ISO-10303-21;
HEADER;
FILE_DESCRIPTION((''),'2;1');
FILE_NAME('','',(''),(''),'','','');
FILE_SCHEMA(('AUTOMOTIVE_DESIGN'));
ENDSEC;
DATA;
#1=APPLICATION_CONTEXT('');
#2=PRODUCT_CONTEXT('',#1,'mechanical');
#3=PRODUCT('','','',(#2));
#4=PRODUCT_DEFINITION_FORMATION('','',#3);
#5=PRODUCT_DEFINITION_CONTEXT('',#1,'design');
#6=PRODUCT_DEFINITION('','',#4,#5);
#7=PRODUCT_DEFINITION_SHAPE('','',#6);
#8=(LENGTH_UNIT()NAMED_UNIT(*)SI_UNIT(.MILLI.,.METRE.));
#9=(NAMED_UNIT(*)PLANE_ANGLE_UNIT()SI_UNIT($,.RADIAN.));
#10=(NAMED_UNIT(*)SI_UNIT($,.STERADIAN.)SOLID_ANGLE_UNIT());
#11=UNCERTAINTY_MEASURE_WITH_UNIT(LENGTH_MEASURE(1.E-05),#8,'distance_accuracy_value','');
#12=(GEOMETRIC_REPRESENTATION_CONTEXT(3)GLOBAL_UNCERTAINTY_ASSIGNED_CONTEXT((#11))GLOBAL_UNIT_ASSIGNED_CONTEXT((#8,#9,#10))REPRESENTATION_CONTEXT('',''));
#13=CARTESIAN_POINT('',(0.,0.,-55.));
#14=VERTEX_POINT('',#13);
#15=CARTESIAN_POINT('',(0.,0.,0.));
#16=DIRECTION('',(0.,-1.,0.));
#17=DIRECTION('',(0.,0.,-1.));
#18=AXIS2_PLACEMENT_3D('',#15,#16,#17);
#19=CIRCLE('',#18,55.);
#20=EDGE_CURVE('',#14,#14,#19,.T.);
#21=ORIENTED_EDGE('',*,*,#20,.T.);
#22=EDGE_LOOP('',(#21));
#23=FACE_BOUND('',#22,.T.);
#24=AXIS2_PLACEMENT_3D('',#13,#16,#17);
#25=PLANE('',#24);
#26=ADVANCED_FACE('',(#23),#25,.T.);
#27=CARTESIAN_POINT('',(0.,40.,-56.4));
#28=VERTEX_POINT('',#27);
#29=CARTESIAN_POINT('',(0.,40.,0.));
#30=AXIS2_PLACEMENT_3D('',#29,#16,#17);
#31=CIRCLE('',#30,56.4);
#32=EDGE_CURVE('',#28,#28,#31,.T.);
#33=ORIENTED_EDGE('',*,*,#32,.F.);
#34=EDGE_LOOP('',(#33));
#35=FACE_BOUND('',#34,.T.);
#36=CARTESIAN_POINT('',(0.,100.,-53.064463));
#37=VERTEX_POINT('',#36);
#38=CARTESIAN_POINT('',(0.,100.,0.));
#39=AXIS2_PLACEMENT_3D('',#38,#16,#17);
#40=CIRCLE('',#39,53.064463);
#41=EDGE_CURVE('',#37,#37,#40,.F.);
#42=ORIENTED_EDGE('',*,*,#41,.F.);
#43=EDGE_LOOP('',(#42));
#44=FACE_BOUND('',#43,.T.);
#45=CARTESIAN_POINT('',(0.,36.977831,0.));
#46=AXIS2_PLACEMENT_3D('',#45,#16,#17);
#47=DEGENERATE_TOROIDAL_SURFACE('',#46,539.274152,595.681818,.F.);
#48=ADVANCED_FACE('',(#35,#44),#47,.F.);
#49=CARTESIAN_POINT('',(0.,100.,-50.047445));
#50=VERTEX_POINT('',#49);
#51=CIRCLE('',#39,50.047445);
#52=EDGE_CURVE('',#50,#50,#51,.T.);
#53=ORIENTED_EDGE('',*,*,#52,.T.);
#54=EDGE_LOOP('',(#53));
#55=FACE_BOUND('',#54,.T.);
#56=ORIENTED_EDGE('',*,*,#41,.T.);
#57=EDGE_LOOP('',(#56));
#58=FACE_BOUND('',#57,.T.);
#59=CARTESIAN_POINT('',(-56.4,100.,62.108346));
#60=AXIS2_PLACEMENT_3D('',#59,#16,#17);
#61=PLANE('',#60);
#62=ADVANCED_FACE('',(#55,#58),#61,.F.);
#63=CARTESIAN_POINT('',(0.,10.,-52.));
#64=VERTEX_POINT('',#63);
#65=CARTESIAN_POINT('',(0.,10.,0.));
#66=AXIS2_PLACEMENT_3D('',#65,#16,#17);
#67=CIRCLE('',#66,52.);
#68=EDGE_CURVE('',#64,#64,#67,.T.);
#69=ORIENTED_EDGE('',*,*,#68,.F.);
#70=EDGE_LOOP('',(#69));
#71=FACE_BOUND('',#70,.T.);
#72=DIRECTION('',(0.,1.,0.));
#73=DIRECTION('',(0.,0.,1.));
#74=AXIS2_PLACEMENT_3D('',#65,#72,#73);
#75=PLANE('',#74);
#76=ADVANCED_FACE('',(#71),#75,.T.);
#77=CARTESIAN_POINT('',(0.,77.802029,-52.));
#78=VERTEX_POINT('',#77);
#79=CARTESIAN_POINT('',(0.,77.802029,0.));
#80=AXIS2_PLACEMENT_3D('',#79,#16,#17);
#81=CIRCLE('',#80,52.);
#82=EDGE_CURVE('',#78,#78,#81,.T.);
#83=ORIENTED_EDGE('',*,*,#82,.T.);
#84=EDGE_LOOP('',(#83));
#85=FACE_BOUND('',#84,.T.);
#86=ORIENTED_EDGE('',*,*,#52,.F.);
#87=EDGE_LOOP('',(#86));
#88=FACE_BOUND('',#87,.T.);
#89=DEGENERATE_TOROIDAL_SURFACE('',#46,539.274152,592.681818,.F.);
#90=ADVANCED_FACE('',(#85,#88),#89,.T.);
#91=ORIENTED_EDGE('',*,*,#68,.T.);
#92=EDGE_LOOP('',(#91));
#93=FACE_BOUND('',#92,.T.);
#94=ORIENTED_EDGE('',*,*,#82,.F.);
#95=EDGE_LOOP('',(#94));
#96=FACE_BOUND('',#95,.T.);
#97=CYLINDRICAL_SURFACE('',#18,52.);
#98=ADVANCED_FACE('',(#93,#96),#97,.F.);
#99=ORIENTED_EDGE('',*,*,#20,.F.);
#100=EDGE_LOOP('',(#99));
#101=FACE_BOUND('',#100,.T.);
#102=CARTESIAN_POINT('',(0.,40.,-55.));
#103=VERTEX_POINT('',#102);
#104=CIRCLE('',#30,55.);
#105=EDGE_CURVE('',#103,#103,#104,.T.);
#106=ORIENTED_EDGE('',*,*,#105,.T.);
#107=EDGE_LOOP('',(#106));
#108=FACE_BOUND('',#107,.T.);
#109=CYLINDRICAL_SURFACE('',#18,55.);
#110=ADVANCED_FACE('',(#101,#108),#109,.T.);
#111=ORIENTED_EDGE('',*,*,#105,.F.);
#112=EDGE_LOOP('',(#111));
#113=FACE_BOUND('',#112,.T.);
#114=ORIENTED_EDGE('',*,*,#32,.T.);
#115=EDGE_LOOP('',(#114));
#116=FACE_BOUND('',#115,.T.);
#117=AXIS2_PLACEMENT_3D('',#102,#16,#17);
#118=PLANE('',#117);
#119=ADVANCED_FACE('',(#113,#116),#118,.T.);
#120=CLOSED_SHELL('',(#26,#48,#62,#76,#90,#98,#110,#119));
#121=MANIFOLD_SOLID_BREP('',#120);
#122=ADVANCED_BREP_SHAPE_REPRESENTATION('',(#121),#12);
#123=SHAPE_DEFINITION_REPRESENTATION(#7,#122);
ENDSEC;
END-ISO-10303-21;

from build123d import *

# Parameters (mm, degrees)
CORTAR_EXTRUIR1_DEPTH      = 301.768881503
CORTAR_EXTRUIR1_DEPTH_BACK = 301.768881503
CROQUIS2_W                 = 123.052160051
CROQUIS2_H                 = 221.260981795


with BuildPart() as part:
    # Croquis1 → Revolución1 (revolve)
    with BuildSketch(Plane(origin=(0, 0, 0), x_dir=(0, 0, -1), z_dir=(1, 0, 0))):
        with BuildLine():
            Line((52, 10), (52, 77.802029213))
            ThreePointArc((52, 77.802029213), (35.222542715, 182.66683475), (0, 282.854074446))
            Line((0, 282.854074446), (0, 290))
            ThreePointArc((0, 290), (41.804081284, 168.069080738), (56.4, 40))
            Line((56.4, 40), (55, 40))
            Line((55, 40), (55, 0))
            Line((55, 0), (52, 0))
            Line((52, 0), (0, 0))
            Line((0, 0), (0, 10))
            Line((0, 10), (52, 10))
        make_face()
    revolve(axis=Axis((0, 0, 0), (0, 1, 0)))

    # Croquis2 → Cortar-Extruir1 (cut, two sides: drawn at the far end of the back side and taken through both)
    with BuildSketch(Plane(origin=(0, 0, 0), x_dir=(0, 0, -1), z_dir=(1, 0, 0)).offset(-CORTAR_EXTRUIR1_DEPTH_BACK)):
        with Locations((-0.582265741, 210.630490898)):
            Rectangle(CROQUIS2_W, CROQUIS2_H)
    extrude(amount=CORTAR_EXTRUIR1_DEPTH + CORTAR_EXTRUIR1_DEPTH_BACK, mode=Mode.SUBTRACT)


solid = part.part
